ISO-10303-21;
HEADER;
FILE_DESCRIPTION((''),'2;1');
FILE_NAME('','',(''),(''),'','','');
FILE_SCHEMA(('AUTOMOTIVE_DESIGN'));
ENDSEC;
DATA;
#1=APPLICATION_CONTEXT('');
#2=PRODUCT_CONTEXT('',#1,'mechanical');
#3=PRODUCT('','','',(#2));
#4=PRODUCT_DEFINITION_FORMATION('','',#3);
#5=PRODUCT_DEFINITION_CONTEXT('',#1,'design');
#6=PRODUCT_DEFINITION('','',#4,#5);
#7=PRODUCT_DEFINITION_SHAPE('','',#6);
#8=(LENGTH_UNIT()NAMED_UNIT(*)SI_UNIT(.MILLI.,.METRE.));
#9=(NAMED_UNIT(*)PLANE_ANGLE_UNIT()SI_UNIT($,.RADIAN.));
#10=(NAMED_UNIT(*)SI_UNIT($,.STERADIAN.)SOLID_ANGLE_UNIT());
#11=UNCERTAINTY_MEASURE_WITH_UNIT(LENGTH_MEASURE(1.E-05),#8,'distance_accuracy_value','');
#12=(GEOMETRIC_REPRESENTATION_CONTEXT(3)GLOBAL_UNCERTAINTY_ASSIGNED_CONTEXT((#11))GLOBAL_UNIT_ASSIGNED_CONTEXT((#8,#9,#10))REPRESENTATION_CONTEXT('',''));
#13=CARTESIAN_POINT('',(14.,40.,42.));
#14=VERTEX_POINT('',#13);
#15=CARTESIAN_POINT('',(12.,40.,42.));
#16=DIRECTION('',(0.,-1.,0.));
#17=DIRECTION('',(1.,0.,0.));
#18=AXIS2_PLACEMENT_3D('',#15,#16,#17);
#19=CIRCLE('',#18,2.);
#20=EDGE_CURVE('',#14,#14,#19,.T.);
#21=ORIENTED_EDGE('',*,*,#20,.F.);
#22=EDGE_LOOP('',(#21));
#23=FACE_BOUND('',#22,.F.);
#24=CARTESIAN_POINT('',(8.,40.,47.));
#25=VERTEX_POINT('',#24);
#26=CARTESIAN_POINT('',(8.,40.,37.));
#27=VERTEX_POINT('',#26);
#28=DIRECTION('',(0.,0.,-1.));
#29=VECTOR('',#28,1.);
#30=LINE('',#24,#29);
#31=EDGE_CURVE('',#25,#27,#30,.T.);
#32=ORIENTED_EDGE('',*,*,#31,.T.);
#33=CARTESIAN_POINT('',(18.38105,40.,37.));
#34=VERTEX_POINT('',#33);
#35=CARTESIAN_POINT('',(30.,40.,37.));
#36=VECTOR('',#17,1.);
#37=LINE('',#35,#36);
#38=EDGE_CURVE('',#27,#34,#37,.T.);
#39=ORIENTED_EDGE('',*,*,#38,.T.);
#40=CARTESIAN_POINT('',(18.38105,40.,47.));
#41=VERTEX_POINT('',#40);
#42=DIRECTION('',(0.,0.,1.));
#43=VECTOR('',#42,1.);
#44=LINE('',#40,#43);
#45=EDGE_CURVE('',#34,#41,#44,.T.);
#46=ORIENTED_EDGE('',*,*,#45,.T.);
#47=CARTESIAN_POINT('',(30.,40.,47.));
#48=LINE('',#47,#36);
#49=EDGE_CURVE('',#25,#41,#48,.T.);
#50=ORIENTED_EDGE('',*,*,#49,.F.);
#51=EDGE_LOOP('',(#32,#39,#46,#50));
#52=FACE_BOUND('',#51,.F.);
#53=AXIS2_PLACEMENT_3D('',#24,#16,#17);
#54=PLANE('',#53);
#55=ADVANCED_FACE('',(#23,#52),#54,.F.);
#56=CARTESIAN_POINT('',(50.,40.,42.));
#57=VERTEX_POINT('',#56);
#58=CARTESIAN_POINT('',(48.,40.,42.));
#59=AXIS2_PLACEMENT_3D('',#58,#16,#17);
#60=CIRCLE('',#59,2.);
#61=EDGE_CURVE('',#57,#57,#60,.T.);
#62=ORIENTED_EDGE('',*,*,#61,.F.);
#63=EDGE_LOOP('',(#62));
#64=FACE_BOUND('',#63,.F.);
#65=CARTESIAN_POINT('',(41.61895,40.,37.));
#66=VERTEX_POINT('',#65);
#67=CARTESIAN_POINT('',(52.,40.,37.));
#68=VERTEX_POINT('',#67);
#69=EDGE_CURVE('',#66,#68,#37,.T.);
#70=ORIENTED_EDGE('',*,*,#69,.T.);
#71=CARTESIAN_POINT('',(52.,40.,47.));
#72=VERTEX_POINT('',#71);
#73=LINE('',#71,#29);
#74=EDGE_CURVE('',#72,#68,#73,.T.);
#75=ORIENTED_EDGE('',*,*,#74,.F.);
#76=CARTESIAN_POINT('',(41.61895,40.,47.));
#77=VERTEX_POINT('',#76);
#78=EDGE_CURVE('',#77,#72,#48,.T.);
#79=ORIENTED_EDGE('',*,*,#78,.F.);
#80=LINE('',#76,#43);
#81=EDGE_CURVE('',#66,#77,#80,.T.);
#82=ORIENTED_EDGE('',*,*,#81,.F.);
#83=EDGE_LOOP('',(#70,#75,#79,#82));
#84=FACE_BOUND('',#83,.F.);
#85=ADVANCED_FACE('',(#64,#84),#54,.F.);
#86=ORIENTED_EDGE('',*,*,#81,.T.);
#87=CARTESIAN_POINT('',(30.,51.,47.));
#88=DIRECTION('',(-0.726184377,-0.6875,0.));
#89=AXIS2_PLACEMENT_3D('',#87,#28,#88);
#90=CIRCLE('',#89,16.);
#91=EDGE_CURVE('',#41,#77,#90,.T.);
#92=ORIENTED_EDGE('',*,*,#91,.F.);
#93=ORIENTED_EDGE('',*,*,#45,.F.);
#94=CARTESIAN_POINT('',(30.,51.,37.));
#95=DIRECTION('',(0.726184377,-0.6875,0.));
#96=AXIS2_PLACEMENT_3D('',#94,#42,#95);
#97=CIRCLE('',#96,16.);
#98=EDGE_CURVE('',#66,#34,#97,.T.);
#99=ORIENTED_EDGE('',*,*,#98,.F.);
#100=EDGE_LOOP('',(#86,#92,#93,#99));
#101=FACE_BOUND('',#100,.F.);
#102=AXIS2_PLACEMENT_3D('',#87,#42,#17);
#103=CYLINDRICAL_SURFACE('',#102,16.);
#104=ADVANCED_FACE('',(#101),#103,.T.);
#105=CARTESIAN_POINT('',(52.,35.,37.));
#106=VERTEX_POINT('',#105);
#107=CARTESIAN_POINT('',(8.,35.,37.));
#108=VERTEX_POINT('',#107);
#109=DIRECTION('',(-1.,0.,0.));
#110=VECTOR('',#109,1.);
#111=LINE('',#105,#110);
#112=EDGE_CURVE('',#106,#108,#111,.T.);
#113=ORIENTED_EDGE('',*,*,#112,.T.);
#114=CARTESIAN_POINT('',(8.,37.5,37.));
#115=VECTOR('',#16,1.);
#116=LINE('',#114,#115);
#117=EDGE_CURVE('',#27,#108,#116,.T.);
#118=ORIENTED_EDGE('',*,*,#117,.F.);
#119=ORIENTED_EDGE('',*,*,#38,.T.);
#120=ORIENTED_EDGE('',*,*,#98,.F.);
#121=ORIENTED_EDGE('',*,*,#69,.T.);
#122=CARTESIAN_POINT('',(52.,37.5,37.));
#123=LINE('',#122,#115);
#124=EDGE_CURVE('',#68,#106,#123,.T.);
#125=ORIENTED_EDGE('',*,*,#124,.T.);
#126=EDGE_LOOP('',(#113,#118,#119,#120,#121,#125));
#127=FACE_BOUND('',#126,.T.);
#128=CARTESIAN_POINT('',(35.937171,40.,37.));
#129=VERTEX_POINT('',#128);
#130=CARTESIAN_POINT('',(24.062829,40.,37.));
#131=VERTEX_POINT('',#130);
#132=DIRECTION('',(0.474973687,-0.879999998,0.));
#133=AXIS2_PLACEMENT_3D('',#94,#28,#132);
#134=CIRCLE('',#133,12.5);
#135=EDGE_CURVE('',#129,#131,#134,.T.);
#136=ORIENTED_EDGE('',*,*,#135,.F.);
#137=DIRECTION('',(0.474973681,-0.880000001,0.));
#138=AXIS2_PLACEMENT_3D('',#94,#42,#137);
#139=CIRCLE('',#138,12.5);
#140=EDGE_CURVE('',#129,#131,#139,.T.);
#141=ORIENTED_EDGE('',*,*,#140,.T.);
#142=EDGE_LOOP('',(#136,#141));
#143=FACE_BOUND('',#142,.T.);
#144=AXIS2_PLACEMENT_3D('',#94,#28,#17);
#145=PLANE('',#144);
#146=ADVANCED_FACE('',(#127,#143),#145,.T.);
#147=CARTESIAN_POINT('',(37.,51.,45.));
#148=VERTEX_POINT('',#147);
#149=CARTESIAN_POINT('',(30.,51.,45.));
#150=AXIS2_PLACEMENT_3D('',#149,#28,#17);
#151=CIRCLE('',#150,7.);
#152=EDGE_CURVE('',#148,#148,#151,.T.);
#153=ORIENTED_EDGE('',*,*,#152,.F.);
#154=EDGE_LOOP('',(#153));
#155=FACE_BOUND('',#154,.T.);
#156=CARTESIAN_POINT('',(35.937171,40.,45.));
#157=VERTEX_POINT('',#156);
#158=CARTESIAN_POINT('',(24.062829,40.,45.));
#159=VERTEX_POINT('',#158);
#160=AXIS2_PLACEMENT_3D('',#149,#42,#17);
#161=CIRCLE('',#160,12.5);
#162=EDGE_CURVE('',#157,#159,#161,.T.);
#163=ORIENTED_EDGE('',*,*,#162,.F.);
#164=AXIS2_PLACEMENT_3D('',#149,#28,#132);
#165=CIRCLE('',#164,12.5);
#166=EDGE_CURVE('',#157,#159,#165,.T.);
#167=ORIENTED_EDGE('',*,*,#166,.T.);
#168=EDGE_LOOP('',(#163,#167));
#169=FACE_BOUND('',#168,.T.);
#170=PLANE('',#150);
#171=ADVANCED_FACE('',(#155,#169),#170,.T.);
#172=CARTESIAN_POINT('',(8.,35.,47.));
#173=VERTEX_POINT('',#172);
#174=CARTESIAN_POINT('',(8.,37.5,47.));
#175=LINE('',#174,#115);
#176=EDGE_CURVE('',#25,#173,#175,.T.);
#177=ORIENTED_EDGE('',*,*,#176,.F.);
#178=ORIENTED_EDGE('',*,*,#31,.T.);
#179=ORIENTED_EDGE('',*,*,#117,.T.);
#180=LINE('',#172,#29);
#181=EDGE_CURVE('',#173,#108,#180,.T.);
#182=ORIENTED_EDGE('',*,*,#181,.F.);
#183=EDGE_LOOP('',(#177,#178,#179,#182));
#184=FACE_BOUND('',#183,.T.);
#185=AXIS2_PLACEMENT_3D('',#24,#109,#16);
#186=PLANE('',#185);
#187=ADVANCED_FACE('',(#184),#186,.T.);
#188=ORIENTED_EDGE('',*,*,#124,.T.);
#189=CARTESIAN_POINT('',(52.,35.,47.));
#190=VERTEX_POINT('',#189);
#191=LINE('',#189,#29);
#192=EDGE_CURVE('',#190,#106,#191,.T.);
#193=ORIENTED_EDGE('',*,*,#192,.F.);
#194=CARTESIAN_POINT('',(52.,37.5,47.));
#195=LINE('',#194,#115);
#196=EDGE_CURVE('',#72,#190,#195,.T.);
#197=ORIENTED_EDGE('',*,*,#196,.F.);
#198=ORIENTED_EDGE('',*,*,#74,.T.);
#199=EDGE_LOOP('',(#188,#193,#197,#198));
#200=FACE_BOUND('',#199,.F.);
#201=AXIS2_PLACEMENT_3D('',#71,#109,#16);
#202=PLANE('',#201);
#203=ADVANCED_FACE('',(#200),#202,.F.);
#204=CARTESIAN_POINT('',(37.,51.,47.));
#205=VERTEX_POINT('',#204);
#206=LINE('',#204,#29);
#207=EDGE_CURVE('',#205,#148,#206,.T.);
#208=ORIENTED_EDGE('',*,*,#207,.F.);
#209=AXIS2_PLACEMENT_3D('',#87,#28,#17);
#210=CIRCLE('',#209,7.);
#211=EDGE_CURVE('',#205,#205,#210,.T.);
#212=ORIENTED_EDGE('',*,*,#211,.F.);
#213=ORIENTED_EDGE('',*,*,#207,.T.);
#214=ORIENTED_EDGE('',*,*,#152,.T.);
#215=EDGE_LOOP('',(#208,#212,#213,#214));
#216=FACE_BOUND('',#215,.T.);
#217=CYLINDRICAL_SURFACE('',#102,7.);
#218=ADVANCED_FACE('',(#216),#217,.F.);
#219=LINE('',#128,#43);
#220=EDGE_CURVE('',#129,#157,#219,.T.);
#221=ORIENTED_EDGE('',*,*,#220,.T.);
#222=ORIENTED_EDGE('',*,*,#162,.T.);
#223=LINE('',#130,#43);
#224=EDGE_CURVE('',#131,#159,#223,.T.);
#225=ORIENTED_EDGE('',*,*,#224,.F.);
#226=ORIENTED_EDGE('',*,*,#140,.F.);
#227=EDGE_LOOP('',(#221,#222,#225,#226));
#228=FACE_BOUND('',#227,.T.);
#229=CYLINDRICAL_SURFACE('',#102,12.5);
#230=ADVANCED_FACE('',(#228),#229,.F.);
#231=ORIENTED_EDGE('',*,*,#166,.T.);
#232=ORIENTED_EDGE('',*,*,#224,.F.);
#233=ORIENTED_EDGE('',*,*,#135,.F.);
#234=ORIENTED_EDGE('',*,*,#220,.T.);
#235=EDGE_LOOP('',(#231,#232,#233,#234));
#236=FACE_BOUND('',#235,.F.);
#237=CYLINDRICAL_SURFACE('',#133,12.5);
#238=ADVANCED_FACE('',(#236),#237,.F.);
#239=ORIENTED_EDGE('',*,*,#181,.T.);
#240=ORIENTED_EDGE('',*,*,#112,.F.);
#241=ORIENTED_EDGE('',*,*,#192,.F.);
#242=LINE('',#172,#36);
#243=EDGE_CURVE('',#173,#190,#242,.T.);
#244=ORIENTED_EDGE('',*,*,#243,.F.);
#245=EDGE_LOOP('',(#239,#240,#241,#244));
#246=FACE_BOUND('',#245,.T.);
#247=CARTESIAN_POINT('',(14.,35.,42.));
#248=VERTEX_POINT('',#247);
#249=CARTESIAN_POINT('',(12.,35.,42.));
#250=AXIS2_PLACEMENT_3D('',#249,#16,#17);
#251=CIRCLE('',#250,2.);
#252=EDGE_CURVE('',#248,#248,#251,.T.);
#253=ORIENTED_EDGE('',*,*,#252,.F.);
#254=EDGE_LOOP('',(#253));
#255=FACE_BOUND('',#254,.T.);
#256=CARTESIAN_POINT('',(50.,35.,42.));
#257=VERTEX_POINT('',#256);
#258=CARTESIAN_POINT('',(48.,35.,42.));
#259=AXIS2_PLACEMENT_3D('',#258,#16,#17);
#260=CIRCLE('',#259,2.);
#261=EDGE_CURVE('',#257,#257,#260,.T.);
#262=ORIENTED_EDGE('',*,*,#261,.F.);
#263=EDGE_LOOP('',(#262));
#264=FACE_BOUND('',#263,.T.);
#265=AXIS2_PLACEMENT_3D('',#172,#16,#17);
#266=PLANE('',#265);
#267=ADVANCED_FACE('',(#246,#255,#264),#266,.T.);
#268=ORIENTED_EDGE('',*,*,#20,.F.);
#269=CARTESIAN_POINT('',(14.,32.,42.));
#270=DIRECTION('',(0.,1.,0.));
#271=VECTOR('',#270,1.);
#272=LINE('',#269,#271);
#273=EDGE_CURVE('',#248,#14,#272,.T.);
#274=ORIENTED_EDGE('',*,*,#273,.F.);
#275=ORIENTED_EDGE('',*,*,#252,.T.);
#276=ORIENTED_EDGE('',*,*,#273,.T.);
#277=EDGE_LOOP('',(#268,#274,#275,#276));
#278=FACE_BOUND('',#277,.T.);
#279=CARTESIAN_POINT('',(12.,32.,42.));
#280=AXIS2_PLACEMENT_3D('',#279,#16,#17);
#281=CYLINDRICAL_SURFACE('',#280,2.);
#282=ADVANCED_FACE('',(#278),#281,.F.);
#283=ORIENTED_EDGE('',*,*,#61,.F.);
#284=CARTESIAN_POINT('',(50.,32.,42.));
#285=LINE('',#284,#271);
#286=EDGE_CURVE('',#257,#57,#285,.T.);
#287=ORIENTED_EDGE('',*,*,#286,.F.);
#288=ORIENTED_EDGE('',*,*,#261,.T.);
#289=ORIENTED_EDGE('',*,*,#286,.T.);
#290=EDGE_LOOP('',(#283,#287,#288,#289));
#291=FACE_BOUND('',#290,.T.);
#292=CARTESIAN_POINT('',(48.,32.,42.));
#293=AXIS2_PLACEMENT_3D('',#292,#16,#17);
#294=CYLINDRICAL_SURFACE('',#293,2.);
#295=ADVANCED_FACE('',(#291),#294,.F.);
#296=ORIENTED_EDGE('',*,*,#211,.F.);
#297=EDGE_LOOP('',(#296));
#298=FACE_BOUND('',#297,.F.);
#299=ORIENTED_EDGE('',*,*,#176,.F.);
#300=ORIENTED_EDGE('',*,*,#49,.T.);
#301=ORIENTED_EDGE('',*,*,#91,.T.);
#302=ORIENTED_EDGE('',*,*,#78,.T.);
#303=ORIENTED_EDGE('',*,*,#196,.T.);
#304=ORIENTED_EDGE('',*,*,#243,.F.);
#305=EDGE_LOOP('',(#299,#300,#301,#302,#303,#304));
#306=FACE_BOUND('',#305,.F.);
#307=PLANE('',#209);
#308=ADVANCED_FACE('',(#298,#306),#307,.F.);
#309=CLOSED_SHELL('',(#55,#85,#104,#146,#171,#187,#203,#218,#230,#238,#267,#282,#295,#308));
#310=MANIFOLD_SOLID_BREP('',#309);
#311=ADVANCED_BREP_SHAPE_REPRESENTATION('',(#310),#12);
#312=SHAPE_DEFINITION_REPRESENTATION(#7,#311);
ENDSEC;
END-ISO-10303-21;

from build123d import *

# Parameters (mm, degrees)
CYLINDER046_R             = 12.5
CYLINDER046_DEPTH         = 35
CYLINDER043_R             = 16
CYLINDER043_DEPTH         = 10
CYLINDER042_R             = 7
CYLINDER042_DEPTH         = 2
CYLINDER045_R             = 14
CYLINDER045_DEPTH         = 2
CYLINDER044_R             = 2
CYLINDER044_DEPTH         = 10
CYLINDER044_ROLL_ANGLE    = 90
ARRAY010_X_COUNT          = 2
ARRAY010_X_PITCH          = 36
BOX018_W                  = 44
BOX018_H                  = 5
BOX018_DEPTH              = 10
POCKET001_DEPTH           = 8
FUSION035_PLACEMENT_ANGLE = 180


with BuildPart() as cylinder046:
    # Cylinder046 → Cylinder046 (new body)
    with BuildSketch(Plane.XY):
        Circle(CYLINDER046_R)
    extrude(amount=CYLINDER046_DEPTH)


with BuildPart() as cuerpo_arandela002:
    # Cylinder043 → Cylinder043 (new body)
    with BuildSketch(Plane.XY):
        Circle(CYLINDER043_R)
    extrude(amount=CYLINDER043_DEPTH)

    # Cut004035: cut Cylinder046
    add(cylinder046.part, mode=Mode.SUBTRACT)


with BuildPart() as cylinder042:
    # Cylinder042 → Cylinder042 (new body)
    with BuildSketch(Plane.XY):
        Circle(CYLINDER042_R)
    extrude(amount=CYLINDER042_DEPTH)


with BuildPart() as tapa_arandela002:
    # Cylinder045 → Cylinder045 (new body)
    with BuildSketch(Plane.XY):
        Circle(CYLINDER045_R)
    extrude(amount=CYLINDER045_DEPTH)

    # Cut004036: cut Cylinder042
    add(cylinder042.part, mode=Mode.SUBTRACT)


with BuildPart() as array010:
    # Cylinder044 → Cylinder044 (new body)
    with BuildSketch(Plane.XY):
        Circle(CYLINDER044_R)
    extrude(amount=CYLINDER044_DEPTH)


with BuildPart() as array010_1:
    # Cylinder044 roll: moved
    add(array010.part.rotate(Axis((0, 0, 0), (1, 0, 0)), CYLINDER044_ROLL_ANGLE))


with BuildPart() as array010_2:
    # Cylinder044 placement: moved
    add(array010_1.part.moved(Location((18, 8, 5))))

    # Array010 X: Array010 ×2


with BuildPart() as array010_3:
    add(array010_2.part)
    with Locations(*[(-i * ARRAY010_X_PITCH, 0, 0) for i in range(1, ARRAY010_X_COUNT)]):
        add(array010_2.part)


with BuildPart() as porta_rodamiento_grande001:
    # Box018 → Box018 (new body)
    with BuildSketch(Plane(origin=(-22, 0, 0), x_dir=(1, 0, 0), z_dir=(0, 0, 1))):
        with Locations((22, 2.5)):
            Rectangle(BOX018_W, BOX018_H)
    extrude(amount=BOX018_DEPTH)

    # Cut004034: cut Array010
    add(array010_3.part, mode=Mode.SUBTRACT)


with BuildPart() as porta_rodamiento_grande001_1:
    # Cut004034 placement: moved
    add(porta_rodamiento_grande001.part.moved(Location((0, 11, 0))))

    # Sketch002 → Pocket001 (cut)
    with BuildSketch(Plane(origin=(0, 11, 10), x_dir=(1, 0, 0), z_dir=(0, 0, 1))):
        with BuildLine():
            ThreePointArc((5.937171, 0), (0, 1.5), (-5.937171, 0))
            Line((-5.937171, 0), (5.937171, 0))
        make_face()
    extrude(amount=-POCKET001_DEPTH, mode=Mode.SUBTRACT)

    # Fusion035: union cuerpo-arandela002, tapa-arandela002
    add(cuerpo_arandela002.part)
    add(tapa_arandela002.part)


with BuildPart() as porta_rodamiento_grande001_2:
    # Fusion035 placement: moved
    add(porta_rodamiento_grande001_1.part.moved(Location((30, 51, 47))).rotate(Axis((30, 51, 47), (1, 0, 0)), FUSION035_PLACEMENT_ANGLE))


solid = porta_rodamiento_grande001_2.part
